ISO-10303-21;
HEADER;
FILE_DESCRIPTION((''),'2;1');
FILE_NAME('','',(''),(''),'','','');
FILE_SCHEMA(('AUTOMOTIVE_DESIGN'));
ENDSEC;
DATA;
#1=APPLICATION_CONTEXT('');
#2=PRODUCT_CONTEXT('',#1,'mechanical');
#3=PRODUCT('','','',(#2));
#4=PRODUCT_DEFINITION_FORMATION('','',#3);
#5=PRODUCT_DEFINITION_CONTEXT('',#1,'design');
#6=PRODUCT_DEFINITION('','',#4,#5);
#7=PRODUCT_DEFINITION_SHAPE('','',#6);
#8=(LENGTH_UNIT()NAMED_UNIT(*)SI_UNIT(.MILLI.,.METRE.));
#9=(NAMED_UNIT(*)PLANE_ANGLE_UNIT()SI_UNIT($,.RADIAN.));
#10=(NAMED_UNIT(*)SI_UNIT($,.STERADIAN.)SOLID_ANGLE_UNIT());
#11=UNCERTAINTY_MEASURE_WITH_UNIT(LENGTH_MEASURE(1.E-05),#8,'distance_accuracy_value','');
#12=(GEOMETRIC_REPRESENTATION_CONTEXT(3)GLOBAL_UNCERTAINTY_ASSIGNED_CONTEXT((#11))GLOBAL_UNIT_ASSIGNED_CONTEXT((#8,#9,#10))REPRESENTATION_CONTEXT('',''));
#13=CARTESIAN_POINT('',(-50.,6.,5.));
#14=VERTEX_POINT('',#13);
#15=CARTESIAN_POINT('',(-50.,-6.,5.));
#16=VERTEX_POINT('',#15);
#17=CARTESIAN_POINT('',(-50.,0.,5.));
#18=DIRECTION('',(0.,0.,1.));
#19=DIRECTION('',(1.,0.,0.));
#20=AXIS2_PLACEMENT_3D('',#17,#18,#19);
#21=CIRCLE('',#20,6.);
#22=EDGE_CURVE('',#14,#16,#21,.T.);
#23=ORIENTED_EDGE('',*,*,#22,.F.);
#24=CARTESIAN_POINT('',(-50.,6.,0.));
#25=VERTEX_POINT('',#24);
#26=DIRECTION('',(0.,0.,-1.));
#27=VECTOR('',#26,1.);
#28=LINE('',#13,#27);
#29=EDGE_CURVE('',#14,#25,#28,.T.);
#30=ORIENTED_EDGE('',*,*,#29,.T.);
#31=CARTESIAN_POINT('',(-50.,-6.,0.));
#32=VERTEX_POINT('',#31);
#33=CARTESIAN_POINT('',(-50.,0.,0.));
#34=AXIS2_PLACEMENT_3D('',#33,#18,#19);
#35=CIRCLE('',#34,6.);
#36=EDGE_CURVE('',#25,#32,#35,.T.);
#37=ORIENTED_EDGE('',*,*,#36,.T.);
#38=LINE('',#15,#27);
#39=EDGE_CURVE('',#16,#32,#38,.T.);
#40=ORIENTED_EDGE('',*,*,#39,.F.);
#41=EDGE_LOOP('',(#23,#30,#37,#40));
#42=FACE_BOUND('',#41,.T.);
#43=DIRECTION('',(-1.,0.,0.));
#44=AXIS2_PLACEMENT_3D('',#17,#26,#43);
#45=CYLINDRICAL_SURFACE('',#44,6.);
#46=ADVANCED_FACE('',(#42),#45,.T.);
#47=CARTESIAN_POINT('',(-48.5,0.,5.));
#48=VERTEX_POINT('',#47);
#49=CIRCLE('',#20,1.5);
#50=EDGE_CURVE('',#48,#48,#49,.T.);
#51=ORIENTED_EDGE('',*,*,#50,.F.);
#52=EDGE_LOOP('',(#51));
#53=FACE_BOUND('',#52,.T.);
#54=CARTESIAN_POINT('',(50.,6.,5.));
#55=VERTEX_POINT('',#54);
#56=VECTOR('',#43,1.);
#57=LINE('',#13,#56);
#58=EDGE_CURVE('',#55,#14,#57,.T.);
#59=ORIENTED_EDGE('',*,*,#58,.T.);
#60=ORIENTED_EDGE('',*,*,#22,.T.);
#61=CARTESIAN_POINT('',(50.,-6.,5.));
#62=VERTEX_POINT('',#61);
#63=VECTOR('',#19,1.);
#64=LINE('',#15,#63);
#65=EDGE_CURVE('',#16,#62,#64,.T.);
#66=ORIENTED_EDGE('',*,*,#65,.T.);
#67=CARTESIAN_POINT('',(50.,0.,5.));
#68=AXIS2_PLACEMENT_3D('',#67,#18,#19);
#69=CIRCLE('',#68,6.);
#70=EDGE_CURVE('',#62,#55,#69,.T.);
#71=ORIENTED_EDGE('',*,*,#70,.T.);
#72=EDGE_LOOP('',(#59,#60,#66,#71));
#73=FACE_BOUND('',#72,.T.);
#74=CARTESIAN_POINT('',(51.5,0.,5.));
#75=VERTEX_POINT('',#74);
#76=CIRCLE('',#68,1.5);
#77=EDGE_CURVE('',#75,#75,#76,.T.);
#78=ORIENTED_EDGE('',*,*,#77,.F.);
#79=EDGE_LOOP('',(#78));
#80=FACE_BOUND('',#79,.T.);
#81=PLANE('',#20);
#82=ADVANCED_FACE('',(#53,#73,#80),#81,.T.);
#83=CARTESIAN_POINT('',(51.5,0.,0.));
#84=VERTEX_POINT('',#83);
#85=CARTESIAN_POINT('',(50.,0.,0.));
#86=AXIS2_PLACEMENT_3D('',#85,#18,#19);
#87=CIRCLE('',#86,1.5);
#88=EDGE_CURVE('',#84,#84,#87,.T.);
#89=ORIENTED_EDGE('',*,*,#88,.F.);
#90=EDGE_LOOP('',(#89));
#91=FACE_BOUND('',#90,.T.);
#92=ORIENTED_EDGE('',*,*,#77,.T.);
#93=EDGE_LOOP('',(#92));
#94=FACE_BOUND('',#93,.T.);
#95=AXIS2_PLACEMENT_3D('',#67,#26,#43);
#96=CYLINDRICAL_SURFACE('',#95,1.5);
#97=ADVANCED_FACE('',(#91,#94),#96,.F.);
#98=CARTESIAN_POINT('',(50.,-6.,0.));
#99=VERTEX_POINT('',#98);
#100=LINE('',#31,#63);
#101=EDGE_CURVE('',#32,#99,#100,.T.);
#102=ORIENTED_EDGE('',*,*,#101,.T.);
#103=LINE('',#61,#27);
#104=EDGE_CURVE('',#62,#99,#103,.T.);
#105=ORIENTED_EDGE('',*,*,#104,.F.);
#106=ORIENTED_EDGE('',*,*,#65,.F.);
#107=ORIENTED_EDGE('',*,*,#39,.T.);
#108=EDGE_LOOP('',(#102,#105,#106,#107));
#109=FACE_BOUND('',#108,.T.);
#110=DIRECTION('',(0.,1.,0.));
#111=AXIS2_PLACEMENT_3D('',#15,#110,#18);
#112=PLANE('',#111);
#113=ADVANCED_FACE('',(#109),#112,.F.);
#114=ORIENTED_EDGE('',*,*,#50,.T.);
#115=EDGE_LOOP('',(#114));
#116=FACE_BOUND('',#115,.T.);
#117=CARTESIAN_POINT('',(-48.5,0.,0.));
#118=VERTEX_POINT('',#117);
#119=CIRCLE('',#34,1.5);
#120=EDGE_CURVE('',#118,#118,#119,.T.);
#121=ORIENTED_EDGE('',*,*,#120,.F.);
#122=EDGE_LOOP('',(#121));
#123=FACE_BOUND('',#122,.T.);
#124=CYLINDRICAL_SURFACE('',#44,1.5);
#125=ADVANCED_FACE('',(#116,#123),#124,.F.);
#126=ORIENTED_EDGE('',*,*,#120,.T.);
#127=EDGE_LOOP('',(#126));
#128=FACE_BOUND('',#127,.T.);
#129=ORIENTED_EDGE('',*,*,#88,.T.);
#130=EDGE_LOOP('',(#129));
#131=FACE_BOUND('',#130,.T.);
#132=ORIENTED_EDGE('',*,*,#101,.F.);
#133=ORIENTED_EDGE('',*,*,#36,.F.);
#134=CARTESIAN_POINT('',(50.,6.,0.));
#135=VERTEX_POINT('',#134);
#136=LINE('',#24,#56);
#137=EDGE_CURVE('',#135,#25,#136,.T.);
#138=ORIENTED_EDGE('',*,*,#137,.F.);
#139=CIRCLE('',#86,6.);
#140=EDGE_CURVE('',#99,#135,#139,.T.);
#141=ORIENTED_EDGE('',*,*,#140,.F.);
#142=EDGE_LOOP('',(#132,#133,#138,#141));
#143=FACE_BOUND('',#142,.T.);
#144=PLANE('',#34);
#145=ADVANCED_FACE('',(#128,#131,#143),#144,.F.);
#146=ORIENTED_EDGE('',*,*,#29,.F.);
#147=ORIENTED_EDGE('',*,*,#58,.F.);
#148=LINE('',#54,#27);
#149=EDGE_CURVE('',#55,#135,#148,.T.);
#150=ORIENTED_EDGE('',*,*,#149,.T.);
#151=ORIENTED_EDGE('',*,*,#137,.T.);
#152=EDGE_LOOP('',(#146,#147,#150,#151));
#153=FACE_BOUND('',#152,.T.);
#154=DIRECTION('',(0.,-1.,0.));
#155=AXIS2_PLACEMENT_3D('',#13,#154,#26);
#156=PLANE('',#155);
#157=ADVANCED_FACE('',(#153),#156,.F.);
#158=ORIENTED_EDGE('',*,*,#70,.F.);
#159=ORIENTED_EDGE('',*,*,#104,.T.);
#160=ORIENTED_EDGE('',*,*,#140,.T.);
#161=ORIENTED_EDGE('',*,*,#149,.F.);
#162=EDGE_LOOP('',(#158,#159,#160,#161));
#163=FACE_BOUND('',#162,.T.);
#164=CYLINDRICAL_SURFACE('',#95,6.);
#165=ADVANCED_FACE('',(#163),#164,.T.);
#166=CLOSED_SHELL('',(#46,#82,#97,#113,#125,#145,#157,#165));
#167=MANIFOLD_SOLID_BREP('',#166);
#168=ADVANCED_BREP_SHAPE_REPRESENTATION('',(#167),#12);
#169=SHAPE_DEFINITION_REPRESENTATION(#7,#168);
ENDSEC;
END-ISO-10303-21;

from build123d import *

# Parameters (mm, degrees)
ESQUISSE1_R        = 1.5
BOSS_EXTRU_1_DEPTH = 5


with BuildPart() as part:
    # Esquisse1 → Boss.-Extru.1 (new body)
    with BuildSketch(Plane.XY):
        with BuildLine():
            Line((-50, 6), (50, 6))
            ThreePointArc((50, 6), (56, 0), (50, -6))
            Line((50, -6), (-50, -6))
            ThreePointArc((-50, -6), (-56, 0), (-50, 6))
        make_face()
        with Locations((-50, 0)):
            Circle(ESQUISSE1_R, mode=Mode.SUBTRACT)
        with Locations((50, 0)):
            Circle(ESQUISSE1_R, mode=Mode.SUBTRACT)
    extrude(amount=BOSS_EXTRU_1_DEPTH)


solid = part.part
